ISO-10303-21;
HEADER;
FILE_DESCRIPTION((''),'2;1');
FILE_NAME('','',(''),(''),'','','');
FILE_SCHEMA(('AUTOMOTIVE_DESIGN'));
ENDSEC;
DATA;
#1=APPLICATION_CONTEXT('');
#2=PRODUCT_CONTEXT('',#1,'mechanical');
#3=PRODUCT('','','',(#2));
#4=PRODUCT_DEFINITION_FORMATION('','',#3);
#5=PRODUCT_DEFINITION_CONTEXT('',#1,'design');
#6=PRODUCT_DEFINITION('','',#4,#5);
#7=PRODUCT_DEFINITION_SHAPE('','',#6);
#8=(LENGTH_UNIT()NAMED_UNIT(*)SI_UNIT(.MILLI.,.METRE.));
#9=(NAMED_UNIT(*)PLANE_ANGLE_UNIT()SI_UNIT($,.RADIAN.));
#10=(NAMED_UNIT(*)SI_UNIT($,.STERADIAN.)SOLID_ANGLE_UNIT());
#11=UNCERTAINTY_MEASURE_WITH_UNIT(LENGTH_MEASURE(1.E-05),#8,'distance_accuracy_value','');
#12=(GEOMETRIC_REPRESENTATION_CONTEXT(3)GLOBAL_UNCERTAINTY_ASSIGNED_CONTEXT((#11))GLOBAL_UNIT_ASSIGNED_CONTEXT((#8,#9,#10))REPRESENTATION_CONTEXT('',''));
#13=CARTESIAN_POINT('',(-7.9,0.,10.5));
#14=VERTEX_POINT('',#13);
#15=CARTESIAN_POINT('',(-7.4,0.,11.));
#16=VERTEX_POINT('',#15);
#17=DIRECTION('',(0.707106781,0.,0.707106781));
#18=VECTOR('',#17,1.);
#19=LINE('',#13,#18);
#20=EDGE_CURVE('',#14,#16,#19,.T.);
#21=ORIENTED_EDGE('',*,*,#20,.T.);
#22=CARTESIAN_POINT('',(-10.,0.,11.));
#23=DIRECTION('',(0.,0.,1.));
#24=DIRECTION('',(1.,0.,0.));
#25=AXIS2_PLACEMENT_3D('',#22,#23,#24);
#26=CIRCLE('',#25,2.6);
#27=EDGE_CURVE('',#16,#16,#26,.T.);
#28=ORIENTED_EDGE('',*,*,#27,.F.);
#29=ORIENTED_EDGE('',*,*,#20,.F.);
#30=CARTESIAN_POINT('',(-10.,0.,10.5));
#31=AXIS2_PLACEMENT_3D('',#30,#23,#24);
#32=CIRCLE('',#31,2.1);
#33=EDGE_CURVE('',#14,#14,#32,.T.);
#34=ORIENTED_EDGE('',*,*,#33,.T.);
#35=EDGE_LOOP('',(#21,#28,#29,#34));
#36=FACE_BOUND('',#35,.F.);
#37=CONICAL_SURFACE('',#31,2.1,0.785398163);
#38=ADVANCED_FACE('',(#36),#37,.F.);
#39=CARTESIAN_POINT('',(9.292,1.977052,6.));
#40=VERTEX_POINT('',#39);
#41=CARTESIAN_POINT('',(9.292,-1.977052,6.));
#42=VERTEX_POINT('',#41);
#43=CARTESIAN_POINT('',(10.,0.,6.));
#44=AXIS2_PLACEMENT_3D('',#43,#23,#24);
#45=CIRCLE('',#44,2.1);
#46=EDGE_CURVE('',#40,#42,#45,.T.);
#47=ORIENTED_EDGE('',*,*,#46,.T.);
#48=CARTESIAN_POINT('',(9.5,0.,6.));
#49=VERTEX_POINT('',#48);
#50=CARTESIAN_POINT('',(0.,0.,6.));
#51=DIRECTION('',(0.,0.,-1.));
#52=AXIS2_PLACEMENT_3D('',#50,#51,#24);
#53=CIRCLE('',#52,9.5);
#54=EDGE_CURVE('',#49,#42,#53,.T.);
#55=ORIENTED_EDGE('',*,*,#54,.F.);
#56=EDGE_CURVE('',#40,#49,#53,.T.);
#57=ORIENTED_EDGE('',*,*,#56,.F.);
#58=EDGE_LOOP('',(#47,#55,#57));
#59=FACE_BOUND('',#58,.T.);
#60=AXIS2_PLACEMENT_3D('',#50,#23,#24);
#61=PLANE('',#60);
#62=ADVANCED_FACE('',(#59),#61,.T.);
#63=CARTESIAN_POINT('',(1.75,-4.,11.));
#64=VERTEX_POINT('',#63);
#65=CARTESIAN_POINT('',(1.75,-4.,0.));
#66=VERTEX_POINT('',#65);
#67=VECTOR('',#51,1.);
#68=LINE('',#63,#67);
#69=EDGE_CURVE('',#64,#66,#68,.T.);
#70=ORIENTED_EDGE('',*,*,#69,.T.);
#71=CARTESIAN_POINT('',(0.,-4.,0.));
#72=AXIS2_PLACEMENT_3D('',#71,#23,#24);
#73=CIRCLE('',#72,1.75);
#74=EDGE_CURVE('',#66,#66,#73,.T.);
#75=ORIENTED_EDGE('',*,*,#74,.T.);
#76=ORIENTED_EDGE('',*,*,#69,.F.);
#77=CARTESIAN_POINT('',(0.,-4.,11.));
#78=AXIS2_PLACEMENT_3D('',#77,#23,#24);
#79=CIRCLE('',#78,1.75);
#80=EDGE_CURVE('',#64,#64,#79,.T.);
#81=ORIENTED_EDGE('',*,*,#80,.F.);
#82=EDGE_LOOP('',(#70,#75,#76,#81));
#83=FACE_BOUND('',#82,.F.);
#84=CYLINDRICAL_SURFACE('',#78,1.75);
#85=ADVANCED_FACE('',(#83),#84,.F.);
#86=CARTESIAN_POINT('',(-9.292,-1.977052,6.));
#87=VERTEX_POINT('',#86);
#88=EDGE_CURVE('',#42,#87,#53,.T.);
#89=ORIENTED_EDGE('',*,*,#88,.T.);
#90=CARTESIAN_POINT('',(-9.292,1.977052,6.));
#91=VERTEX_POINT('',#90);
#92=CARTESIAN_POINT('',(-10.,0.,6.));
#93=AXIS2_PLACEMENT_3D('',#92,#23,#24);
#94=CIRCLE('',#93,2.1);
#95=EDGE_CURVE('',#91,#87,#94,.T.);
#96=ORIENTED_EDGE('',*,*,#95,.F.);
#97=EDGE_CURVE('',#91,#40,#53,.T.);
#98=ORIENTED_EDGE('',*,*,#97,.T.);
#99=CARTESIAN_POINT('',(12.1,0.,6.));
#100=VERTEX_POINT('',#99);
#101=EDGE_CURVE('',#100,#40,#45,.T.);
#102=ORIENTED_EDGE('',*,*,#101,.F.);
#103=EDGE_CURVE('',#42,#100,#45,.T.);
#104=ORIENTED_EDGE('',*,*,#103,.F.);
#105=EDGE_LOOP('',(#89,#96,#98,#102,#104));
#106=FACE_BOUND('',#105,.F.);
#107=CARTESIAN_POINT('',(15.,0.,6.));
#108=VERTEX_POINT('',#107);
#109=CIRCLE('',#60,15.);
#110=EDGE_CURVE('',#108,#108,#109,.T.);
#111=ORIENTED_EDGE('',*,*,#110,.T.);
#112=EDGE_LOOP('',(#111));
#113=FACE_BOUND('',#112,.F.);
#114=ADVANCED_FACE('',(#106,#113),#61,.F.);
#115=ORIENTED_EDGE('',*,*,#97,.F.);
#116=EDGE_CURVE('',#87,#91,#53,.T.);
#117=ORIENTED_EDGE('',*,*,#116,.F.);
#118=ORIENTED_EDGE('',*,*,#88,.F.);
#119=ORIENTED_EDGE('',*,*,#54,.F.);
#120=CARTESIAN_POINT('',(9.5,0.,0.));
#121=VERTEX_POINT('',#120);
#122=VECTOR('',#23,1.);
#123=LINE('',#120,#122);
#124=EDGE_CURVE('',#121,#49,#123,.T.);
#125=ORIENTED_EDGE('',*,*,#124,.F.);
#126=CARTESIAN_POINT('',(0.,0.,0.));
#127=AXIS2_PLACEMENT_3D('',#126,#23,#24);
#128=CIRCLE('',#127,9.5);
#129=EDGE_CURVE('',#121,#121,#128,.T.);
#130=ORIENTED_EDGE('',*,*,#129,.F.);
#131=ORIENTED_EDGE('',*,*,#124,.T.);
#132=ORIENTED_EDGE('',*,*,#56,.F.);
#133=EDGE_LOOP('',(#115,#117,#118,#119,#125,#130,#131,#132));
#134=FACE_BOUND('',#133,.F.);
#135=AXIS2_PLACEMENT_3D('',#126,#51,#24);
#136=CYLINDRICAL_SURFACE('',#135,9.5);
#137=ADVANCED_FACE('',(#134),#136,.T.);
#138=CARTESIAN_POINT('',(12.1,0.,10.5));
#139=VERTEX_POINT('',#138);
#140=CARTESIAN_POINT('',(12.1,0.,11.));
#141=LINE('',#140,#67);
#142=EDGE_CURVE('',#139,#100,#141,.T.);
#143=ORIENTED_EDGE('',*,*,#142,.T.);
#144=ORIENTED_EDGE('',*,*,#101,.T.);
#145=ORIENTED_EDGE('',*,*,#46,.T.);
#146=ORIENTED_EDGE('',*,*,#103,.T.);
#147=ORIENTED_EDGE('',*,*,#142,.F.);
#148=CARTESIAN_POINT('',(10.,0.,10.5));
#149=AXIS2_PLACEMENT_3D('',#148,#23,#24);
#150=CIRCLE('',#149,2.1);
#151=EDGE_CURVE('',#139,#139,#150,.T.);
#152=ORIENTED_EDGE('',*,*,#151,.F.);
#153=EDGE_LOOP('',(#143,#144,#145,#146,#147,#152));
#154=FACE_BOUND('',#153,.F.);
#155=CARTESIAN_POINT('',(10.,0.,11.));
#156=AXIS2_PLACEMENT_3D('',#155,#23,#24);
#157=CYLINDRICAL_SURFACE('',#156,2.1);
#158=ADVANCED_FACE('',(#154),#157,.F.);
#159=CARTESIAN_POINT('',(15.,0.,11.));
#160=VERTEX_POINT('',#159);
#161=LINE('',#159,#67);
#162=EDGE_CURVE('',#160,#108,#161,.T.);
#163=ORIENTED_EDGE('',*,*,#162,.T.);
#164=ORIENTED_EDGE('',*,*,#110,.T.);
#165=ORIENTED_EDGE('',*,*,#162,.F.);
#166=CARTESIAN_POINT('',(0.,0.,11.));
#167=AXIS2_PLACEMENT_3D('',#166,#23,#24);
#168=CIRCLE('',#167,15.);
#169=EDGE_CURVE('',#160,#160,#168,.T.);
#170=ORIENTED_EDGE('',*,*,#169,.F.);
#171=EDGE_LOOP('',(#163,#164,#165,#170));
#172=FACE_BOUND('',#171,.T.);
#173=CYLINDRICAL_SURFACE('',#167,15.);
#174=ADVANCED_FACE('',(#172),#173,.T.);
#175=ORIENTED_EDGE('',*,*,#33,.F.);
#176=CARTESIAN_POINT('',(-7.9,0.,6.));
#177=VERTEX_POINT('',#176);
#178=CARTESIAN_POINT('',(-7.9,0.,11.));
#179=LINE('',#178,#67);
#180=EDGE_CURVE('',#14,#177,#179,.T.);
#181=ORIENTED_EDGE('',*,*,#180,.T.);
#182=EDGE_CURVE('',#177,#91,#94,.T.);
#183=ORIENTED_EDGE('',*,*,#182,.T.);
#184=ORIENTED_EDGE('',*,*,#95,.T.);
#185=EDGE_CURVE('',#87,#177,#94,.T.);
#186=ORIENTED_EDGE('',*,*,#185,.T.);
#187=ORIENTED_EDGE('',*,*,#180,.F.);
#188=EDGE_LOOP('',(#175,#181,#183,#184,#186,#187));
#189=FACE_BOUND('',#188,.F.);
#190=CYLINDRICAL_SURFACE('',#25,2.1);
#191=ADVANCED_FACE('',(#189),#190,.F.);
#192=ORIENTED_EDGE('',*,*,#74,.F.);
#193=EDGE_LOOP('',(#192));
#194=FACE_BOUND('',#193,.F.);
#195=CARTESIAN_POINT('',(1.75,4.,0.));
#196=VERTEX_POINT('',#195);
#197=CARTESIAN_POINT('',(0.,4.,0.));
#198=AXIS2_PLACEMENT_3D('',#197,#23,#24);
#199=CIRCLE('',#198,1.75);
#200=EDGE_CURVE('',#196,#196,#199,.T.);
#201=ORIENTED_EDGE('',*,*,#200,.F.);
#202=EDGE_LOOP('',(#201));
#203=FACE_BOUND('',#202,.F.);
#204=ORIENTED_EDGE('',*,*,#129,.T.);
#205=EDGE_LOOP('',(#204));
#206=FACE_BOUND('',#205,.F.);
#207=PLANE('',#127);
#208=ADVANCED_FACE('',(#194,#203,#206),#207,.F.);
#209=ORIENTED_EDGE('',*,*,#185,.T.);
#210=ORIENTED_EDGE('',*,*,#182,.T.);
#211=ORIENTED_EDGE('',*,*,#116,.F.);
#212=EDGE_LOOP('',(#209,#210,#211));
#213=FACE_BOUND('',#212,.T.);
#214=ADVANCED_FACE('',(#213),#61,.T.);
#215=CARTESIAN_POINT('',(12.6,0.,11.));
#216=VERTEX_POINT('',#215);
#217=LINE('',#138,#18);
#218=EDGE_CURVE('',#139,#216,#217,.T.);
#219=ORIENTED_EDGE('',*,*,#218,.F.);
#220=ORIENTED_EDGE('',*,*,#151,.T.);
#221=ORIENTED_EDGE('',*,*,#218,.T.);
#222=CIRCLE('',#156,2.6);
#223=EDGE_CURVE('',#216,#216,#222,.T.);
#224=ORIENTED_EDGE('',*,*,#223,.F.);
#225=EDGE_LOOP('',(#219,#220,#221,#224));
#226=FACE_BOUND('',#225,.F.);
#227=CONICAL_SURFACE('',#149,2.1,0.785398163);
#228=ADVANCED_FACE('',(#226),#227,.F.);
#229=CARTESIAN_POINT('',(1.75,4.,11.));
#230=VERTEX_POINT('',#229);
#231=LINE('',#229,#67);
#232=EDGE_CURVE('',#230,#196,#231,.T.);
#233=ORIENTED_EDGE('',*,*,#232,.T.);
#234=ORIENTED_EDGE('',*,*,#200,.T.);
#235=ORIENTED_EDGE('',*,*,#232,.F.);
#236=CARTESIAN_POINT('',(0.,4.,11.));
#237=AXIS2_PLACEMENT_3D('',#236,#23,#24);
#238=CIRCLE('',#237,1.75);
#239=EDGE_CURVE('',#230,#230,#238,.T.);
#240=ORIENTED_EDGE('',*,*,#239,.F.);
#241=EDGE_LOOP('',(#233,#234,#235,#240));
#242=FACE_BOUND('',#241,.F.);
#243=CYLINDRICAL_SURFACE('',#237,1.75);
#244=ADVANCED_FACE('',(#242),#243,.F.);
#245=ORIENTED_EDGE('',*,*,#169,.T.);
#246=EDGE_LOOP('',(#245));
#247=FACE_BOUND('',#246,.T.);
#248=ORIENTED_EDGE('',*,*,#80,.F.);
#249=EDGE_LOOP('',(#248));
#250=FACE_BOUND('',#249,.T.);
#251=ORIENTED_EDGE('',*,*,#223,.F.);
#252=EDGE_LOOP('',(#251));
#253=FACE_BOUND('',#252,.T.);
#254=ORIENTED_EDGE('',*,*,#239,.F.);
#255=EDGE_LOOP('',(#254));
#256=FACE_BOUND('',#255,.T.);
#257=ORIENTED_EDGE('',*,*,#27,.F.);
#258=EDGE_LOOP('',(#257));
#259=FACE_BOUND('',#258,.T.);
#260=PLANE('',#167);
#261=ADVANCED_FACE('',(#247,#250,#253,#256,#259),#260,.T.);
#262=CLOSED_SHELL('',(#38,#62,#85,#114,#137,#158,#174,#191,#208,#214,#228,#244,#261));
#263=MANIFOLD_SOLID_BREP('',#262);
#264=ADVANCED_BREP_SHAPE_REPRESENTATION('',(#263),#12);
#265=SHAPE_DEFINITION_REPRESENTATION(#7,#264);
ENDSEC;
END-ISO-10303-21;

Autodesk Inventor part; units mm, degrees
ref_plane "YZ Plane" through (0, 0, 0) normal (1, 0, 0) x (0, 1, 0)
ref_plane "XZ Plane" through (0, 0, 0) normal (0, 1, 0) x (-1, 0, 0)
ref_plane "XY Plane" through (0, 0, 0) normal (0, 0, 1) x (1, 0, 0)
sketch "Sketch2" plane through (0, 0, 0) normal (0, 0, 1) x (1, 0, 0)
  circle A0 centre (0, 0) radius 9.5
  dimension "d0" = 19
extrude "Extrusion1" add sketch "Sketch2" along normal blind 11
sketch "Sketch5" plane through (0, 0, 11) normal (0, 0, 1) x (1, 0, 0)
  circle A0 centre (0, 0) radius 15
  dimension "d17" = 30
extrude "Extrusion4" add sketch "Sketch5" against normal blind 5
sketch "Sketch3" plane through (0, 0, 11) normal (0, 0, 1) x (1, 0, 0)
  circle A0 centre (0, -4) radius 1.75
  circle A1 centre (0, 4) radius 1.75
  line L0 (0, -9.5) -> (0, 9.5) construction
  circle A2 centre (0, 0) radius 9.5 construction
  dimension "d3" = 3.5
  dimension "d4" = 3.5
  dimension "d5" = 8
  dimension "d6" = 4
extrude "Extrusion2" cut sketch "Sketch3" against normal through all
sketch "Sketch4" plane through (0, 0, 11) normal (0, 0, 1) x (1, 0, 0)
  circle A0 centre (-10, 0) radius 2.1
  circle A1 centre (10, 0) radius 2.1
  line L0 (10, 0) -> (-10, 0) construction
  point P0 (0, 0)
  point P1 (0, 0)
  dimension "d9" = 4.2
  dimension "d10" = 4.2
  dimension "d11" = 20
extrude "Extrusion3" cut sketch "Sketch4" against normal blind 5
chamfer "Chamfer1" distance 0.5 angle 45 2 edges at (7.9, 0, 11) (-12.1, 0, 11)
equation "\"d5\" = 2 * d6"
properties part number "Motor Adapter"
